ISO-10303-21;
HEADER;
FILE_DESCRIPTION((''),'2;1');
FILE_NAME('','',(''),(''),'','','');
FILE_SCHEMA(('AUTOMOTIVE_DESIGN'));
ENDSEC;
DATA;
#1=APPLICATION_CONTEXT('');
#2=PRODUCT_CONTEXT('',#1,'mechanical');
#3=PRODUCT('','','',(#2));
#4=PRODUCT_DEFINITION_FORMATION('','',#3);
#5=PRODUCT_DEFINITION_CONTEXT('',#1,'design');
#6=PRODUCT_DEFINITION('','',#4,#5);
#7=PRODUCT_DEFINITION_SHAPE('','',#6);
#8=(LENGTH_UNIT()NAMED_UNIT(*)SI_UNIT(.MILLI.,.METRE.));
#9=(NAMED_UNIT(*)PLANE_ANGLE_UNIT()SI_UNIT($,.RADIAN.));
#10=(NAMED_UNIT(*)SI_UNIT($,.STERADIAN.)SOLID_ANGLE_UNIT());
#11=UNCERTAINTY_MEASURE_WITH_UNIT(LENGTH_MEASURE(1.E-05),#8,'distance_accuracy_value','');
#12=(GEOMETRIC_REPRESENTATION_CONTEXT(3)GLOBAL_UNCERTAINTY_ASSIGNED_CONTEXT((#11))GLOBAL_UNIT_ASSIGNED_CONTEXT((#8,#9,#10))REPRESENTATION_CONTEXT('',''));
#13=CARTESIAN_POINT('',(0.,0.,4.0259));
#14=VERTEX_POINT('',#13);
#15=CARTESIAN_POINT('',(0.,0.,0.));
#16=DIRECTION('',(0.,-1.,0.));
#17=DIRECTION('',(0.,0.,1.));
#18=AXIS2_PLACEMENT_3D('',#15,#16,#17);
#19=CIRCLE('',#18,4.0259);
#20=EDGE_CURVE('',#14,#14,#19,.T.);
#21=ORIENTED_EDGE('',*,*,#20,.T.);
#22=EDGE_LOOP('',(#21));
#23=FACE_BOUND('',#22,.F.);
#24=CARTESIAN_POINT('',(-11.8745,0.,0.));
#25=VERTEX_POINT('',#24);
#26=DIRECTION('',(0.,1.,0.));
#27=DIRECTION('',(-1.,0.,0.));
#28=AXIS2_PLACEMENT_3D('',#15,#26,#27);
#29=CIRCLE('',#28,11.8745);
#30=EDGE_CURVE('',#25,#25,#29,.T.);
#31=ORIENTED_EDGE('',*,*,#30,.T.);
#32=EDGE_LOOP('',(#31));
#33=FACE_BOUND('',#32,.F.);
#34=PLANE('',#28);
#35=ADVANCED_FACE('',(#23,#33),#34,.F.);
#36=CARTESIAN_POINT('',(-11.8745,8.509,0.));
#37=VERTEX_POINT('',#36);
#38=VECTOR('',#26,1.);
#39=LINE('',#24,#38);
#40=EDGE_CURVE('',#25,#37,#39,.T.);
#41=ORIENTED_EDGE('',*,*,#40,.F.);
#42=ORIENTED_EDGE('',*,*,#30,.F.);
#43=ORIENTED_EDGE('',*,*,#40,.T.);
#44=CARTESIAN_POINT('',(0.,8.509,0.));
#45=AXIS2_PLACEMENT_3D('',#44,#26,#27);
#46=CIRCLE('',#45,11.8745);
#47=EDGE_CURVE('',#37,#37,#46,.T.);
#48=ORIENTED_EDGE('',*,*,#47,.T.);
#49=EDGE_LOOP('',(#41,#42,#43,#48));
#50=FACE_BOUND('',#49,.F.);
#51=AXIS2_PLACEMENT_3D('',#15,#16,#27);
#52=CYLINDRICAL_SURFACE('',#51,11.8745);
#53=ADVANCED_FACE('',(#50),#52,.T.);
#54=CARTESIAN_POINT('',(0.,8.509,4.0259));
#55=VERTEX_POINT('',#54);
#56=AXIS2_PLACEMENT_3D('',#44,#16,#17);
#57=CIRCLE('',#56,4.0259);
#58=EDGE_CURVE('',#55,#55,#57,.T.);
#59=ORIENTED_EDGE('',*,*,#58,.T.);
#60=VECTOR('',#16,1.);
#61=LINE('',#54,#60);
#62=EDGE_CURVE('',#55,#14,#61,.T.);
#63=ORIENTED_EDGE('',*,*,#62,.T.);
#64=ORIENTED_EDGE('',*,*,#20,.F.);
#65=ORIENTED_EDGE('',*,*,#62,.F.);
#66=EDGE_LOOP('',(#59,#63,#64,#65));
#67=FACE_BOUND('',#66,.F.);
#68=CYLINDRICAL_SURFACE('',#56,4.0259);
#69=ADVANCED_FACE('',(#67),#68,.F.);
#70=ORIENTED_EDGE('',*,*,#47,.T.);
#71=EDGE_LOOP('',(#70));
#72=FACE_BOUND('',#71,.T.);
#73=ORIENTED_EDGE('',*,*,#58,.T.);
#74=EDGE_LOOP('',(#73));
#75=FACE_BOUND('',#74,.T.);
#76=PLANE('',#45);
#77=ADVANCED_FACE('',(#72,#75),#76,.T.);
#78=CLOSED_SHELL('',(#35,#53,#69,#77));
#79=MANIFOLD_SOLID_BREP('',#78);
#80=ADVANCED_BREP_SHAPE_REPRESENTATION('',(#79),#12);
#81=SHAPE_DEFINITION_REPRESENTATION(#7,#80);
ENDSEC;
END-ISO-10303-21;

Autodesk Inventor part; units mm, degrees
ref_plane "YZ Plane" through (0, 0, 0) normal (1, 0, 0) x (0, 1, 0)
ref_plane "XZ Plane" through (0, 0, 0) normal (0, 1, 0) x (-1, 0, 0)
ref_plane "XY Plane" through (0, 0, 0) normal (0, 0, 1) x (1, 0, 0)
sketch "Sketch1" plane through (0, 0, 0) normal (0, 1, 0) x (-1, 0, 0)
  circle A0 centre (0, 0) radius 11.8745
  dimension "d0" = 23.749
extrude "Extrusion1" add sketch "Sketch1" along normal blind 8.509
hole "Hole1" at (0, 8.509, 0) direction (0, -1, 0) diameter 8.0518 end through all
properties part number "Terminal_Spacer_Top"
